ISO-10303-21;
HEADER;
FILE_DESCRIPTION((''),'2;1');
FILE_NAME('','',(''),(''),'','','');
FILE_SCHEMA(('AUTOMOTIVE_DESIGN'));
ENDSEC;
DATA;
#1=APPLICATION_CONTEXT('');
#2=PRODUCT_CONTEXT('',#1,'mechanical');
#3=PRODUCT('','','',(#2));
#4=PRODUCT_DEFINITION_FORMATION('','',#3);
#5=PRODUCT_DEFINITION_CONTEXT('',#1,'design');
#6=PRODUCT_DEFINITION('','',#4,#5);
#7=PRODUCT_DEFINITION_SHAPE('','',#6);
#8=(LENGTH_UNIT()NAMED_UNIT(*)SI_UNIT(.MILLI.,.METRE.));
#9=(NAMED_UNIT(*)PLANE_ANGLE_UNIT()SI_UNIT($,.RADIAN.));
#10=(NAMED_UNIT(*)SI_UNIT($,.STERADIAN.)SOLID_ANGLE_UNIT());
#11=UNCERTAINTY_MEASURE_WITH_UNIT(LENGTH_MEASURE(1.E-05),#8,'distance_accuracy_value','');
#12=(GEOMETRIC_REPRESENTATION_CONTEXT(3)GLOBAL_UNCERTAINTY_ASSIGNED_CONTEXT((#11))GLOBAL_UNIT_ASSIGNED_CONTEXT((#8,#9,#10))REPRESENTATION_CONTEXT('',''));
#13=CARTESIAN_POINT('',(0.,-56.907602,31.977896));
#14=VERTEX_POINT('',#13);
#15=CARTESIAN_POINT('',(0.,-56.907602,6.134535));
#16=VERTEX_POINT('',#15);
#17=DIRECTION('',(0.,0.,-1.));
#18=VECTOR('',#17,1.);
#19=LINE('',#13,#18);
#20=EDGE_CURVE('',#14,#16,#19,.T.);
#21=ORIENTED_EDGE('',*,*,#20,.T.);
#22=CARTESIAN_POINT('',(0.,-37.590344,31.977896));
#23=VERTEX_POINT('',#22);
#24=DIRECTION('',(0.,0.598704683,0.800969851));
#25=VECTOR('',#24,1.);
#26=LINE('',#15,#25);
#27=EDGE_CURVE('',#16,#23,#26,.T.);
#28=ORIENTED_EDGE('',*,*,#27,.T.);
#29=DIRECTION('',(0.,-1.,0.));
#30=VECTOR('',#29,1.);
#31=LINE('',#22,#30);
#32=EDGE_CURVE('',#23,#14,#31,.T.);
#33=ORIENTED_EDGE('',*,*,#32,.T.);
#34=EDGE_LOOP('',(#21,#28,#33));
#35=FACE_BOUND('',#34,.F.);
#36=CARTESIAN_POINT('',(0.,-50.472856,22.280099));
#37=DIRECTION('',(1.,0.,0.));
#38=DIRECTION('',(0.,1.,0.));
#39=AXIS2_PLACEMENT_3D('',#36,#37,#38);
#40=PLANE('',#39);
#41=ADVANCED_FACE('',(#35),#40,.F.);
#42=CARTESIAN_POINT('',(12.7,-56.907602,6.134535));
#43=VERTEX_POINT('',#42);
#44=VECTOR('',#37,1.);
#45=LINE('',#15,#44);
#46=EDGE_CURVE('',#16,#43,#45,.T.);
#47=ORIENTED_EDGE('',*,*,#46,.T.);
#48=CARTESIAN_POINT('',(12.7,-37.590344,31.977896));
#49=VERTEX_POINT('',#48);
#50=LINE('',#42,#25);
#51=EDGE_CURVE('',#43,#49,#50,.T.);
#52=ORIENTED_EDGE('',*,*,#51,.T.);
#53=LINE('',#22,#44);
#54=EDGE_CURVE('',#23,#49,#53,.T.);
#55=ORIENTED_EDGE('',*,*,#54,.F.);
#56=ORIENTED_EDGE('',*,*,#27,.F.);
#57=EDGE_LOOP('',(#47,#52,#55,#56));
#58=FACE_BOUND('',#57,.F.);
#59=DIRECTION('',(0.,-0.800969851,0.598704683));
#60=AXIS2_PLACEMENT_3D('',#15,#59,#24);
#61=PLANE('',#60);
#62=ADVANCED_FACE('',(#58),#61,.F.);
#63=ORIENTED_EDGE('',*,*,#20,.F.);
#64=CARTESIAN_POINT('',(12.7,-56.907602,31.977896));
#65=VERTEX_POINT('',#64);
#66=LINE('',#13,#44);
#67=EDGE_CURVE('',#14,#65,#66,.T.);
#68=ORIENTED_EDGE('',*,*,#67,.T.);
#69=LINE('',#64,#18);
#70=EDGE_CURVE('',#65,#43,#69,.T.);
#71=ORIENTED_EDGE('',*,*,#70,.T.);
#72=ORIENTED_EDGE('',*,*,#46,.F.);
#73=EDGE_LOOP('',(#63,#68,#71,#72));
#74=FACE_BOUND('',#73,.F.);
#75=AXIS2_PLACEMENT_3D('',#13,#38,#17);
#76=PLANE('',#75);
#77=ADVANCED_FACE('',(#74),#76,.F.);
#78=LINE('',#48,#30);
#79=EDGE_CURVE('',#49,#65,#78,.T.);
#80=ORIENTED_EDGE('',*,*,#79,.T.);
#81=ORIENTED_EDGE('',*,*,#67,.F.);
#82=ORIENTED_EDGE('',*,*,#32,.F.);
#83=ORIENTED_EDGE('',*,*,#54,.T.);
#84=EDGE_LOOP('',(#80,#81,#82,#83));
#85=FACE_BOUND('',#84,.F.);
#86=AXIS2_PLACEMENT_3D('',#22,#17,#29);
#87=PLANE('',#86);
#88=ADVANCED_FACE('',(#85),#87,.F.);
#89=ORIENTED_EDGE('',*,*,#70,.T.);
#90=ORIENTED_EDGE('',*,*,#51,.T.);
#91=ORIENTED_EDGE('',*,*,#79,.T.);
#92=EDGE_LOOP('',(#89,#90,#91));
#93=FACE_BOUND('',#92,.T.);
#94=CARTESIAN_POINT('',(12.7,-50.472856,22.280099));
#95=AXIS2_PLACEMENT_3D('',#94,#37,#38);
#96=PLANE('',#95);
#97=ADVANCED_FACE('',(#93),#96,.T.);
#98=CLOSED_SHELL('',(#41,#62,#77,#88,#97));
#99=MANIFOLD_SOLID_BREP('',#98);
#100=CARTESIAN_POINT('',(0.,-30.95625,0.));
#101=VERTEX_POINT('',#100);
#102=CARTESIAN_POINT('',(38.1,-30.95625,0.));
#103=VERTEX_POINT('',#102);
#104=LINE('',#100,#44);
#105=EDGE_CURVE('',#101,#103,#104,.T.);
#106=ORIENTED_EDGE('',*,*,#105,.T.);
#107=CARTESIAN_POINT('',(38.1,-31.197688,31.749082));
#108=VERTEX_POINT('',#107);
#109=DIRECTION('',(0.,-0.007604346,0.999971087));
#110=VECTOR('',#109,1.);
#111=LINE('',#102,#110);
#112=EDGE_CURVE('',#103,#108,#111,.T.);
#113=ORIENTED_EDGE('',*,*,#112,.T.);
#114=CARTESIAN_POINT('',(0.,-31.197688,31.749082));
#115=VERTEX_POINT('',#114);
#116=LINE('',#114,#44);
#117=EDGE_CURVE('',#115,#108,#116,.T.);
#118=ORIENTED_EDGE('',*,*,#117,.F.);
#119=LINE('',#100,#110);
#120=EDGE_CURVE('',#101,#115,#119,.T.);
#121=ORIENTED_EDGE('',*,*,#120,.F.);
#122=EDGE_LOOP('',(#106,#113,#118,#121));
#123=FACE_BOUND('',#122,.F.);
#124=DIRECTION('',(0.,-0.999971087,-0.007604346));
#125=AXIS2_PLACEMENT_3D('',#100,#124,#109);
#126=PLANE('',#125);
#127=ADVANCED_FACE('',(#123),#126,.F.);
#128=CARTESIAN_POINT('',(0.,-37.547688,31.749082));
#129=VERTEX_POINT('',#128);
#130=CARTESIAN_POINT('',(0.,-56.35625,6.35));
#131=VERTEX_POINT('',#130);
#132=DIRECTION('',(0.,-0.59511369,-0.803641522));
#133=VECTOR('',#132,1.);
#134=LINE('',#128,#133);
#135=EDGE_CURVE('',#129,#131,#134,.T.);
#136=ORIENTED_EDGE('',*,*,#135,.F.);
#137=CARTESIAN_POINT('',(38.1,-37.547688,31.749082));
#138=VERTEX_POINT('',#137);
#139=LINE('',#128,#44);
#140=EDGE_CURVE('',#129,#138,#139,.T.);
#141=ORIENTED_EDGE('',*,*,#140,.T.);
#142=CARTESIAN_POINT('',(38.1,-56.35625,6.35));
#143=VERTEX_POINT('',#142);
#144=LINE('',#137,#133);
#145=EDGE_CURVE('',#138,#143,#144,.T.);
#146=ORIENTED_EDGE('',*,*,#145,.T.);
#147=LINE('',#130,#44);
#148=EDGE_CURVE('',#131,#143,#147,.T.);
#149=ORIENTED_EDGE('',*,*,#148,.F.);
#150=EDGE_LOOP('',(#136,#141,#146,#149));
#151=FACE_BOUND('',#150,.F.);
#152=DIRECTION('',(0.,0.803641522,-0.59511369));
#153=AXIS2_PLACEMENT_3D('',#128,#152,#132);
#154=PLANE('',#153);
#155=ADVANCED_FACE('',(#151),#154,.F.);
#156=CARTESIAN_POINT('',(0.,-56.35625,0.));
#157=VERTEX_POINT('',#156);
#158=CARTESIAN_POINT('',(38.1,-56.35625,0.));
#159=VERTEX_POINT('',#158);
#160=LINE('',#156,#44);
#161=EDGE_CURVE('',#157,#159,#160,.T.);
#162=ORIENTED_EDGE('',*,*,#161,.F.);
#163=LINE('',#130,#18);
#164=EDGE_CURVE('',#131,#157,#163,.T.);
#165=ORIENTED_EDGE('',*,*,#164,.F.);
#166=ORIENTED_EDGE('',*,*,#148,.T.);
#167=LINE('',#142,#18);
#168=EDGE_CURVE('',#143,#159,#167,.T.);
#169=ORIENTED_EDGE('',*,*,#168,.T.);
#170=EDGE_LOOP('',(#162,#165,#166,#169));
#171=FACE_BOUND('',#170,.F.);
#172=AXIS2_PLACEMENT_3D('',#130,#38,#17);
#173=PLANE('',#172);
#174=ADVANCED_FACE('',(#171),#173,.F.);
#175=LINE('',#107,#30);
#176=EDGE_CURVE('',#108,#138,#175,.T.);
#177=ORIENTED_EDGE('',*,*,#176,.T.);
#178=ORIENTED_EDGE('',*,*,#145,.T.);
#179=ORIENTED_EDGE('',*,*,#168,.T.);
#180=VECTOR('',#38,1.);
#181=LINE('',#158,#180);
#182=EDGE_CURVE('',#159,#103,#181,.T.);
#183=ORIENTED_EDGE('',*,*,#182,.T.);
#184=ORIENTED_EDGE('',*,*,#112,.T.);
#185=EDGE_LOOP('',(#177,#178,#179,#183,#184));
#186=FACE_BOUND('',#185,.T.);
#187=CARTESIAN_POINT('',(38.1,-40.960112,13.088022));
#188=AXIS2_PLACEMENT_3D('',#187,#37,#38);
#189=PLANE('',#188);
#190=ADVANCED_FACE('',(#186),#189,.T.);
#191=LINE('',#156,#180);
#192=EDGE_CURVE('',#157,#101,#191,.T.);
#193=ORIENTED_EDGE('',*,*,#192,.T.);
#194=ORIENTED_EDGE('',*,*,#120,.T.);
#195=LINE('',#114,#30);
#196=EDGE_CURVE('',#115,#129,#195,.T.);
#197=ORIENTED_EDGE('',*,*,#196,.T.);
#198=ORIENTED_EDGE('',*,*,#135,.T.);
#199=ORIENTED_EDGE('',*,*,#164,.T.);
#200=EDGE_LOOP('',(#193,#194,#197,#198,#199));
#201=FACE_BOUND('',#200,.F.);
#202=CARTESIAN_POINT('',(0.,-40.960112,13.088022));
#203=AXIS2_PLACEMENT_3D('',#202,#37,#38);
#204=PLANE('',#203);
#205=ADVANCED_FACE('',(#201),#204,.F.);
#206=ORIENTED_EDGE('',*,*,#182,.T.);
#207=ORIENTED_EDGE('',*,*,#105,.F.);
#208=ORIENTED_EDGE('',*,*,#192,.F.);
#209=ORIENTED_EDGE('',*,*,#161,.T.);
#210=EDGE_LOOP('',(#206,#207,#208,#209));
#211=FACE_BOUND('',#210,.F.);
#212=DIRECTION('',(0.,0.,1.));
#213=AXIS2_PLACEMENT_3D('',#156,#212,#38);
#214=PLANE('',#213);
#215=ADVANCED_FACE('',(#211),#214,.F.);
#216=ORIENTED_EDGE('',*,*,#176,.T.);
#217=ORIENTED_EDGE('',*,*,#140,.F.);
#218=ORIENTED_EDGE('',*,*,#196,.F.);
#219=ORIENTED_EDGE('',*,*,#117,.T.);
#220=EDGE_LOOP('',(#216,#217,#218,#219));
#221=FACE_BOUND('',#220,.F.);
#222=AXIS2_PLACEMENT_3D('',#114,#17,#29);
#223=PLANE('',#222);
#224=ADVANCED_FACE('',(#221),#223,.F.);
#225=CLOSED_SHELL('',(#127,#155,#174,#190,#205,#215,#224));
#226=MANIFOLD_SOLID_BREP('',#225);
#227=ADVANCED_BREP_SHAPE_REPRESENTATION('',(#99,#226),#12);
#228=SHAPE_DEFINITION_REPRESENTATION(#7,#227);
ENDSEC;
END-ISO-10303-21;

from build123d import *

# Parameters (mm, degrees)
F1_DEPTH = 38.1
F3_DEPTH = 12.7


with BuildPart() as f1:
    # F0 (on Right) → F1 (new body)
    with BuildSketch(Plane.YZ):
        Polygon((-56.35625, 6.35), (-56.35625, 0), (-30.95625, 0), (-31.197688, 31.749082), (-37.547688, 31.749082), align=None)
    extrude(amount=F1_DEPTH)


with BuildPart() as f3:
    # F2 (on Right) → F3 (new body)
    with BuildSketch(Plane.YZ):
        Polygon((-56.907602, 6.134535), (-37.590344, 31.977896), (-56.907602, 31.977896), align=None)
    extrude(amount=F3_DEPTH)


solid = Compound([f1.part, f3.part])
